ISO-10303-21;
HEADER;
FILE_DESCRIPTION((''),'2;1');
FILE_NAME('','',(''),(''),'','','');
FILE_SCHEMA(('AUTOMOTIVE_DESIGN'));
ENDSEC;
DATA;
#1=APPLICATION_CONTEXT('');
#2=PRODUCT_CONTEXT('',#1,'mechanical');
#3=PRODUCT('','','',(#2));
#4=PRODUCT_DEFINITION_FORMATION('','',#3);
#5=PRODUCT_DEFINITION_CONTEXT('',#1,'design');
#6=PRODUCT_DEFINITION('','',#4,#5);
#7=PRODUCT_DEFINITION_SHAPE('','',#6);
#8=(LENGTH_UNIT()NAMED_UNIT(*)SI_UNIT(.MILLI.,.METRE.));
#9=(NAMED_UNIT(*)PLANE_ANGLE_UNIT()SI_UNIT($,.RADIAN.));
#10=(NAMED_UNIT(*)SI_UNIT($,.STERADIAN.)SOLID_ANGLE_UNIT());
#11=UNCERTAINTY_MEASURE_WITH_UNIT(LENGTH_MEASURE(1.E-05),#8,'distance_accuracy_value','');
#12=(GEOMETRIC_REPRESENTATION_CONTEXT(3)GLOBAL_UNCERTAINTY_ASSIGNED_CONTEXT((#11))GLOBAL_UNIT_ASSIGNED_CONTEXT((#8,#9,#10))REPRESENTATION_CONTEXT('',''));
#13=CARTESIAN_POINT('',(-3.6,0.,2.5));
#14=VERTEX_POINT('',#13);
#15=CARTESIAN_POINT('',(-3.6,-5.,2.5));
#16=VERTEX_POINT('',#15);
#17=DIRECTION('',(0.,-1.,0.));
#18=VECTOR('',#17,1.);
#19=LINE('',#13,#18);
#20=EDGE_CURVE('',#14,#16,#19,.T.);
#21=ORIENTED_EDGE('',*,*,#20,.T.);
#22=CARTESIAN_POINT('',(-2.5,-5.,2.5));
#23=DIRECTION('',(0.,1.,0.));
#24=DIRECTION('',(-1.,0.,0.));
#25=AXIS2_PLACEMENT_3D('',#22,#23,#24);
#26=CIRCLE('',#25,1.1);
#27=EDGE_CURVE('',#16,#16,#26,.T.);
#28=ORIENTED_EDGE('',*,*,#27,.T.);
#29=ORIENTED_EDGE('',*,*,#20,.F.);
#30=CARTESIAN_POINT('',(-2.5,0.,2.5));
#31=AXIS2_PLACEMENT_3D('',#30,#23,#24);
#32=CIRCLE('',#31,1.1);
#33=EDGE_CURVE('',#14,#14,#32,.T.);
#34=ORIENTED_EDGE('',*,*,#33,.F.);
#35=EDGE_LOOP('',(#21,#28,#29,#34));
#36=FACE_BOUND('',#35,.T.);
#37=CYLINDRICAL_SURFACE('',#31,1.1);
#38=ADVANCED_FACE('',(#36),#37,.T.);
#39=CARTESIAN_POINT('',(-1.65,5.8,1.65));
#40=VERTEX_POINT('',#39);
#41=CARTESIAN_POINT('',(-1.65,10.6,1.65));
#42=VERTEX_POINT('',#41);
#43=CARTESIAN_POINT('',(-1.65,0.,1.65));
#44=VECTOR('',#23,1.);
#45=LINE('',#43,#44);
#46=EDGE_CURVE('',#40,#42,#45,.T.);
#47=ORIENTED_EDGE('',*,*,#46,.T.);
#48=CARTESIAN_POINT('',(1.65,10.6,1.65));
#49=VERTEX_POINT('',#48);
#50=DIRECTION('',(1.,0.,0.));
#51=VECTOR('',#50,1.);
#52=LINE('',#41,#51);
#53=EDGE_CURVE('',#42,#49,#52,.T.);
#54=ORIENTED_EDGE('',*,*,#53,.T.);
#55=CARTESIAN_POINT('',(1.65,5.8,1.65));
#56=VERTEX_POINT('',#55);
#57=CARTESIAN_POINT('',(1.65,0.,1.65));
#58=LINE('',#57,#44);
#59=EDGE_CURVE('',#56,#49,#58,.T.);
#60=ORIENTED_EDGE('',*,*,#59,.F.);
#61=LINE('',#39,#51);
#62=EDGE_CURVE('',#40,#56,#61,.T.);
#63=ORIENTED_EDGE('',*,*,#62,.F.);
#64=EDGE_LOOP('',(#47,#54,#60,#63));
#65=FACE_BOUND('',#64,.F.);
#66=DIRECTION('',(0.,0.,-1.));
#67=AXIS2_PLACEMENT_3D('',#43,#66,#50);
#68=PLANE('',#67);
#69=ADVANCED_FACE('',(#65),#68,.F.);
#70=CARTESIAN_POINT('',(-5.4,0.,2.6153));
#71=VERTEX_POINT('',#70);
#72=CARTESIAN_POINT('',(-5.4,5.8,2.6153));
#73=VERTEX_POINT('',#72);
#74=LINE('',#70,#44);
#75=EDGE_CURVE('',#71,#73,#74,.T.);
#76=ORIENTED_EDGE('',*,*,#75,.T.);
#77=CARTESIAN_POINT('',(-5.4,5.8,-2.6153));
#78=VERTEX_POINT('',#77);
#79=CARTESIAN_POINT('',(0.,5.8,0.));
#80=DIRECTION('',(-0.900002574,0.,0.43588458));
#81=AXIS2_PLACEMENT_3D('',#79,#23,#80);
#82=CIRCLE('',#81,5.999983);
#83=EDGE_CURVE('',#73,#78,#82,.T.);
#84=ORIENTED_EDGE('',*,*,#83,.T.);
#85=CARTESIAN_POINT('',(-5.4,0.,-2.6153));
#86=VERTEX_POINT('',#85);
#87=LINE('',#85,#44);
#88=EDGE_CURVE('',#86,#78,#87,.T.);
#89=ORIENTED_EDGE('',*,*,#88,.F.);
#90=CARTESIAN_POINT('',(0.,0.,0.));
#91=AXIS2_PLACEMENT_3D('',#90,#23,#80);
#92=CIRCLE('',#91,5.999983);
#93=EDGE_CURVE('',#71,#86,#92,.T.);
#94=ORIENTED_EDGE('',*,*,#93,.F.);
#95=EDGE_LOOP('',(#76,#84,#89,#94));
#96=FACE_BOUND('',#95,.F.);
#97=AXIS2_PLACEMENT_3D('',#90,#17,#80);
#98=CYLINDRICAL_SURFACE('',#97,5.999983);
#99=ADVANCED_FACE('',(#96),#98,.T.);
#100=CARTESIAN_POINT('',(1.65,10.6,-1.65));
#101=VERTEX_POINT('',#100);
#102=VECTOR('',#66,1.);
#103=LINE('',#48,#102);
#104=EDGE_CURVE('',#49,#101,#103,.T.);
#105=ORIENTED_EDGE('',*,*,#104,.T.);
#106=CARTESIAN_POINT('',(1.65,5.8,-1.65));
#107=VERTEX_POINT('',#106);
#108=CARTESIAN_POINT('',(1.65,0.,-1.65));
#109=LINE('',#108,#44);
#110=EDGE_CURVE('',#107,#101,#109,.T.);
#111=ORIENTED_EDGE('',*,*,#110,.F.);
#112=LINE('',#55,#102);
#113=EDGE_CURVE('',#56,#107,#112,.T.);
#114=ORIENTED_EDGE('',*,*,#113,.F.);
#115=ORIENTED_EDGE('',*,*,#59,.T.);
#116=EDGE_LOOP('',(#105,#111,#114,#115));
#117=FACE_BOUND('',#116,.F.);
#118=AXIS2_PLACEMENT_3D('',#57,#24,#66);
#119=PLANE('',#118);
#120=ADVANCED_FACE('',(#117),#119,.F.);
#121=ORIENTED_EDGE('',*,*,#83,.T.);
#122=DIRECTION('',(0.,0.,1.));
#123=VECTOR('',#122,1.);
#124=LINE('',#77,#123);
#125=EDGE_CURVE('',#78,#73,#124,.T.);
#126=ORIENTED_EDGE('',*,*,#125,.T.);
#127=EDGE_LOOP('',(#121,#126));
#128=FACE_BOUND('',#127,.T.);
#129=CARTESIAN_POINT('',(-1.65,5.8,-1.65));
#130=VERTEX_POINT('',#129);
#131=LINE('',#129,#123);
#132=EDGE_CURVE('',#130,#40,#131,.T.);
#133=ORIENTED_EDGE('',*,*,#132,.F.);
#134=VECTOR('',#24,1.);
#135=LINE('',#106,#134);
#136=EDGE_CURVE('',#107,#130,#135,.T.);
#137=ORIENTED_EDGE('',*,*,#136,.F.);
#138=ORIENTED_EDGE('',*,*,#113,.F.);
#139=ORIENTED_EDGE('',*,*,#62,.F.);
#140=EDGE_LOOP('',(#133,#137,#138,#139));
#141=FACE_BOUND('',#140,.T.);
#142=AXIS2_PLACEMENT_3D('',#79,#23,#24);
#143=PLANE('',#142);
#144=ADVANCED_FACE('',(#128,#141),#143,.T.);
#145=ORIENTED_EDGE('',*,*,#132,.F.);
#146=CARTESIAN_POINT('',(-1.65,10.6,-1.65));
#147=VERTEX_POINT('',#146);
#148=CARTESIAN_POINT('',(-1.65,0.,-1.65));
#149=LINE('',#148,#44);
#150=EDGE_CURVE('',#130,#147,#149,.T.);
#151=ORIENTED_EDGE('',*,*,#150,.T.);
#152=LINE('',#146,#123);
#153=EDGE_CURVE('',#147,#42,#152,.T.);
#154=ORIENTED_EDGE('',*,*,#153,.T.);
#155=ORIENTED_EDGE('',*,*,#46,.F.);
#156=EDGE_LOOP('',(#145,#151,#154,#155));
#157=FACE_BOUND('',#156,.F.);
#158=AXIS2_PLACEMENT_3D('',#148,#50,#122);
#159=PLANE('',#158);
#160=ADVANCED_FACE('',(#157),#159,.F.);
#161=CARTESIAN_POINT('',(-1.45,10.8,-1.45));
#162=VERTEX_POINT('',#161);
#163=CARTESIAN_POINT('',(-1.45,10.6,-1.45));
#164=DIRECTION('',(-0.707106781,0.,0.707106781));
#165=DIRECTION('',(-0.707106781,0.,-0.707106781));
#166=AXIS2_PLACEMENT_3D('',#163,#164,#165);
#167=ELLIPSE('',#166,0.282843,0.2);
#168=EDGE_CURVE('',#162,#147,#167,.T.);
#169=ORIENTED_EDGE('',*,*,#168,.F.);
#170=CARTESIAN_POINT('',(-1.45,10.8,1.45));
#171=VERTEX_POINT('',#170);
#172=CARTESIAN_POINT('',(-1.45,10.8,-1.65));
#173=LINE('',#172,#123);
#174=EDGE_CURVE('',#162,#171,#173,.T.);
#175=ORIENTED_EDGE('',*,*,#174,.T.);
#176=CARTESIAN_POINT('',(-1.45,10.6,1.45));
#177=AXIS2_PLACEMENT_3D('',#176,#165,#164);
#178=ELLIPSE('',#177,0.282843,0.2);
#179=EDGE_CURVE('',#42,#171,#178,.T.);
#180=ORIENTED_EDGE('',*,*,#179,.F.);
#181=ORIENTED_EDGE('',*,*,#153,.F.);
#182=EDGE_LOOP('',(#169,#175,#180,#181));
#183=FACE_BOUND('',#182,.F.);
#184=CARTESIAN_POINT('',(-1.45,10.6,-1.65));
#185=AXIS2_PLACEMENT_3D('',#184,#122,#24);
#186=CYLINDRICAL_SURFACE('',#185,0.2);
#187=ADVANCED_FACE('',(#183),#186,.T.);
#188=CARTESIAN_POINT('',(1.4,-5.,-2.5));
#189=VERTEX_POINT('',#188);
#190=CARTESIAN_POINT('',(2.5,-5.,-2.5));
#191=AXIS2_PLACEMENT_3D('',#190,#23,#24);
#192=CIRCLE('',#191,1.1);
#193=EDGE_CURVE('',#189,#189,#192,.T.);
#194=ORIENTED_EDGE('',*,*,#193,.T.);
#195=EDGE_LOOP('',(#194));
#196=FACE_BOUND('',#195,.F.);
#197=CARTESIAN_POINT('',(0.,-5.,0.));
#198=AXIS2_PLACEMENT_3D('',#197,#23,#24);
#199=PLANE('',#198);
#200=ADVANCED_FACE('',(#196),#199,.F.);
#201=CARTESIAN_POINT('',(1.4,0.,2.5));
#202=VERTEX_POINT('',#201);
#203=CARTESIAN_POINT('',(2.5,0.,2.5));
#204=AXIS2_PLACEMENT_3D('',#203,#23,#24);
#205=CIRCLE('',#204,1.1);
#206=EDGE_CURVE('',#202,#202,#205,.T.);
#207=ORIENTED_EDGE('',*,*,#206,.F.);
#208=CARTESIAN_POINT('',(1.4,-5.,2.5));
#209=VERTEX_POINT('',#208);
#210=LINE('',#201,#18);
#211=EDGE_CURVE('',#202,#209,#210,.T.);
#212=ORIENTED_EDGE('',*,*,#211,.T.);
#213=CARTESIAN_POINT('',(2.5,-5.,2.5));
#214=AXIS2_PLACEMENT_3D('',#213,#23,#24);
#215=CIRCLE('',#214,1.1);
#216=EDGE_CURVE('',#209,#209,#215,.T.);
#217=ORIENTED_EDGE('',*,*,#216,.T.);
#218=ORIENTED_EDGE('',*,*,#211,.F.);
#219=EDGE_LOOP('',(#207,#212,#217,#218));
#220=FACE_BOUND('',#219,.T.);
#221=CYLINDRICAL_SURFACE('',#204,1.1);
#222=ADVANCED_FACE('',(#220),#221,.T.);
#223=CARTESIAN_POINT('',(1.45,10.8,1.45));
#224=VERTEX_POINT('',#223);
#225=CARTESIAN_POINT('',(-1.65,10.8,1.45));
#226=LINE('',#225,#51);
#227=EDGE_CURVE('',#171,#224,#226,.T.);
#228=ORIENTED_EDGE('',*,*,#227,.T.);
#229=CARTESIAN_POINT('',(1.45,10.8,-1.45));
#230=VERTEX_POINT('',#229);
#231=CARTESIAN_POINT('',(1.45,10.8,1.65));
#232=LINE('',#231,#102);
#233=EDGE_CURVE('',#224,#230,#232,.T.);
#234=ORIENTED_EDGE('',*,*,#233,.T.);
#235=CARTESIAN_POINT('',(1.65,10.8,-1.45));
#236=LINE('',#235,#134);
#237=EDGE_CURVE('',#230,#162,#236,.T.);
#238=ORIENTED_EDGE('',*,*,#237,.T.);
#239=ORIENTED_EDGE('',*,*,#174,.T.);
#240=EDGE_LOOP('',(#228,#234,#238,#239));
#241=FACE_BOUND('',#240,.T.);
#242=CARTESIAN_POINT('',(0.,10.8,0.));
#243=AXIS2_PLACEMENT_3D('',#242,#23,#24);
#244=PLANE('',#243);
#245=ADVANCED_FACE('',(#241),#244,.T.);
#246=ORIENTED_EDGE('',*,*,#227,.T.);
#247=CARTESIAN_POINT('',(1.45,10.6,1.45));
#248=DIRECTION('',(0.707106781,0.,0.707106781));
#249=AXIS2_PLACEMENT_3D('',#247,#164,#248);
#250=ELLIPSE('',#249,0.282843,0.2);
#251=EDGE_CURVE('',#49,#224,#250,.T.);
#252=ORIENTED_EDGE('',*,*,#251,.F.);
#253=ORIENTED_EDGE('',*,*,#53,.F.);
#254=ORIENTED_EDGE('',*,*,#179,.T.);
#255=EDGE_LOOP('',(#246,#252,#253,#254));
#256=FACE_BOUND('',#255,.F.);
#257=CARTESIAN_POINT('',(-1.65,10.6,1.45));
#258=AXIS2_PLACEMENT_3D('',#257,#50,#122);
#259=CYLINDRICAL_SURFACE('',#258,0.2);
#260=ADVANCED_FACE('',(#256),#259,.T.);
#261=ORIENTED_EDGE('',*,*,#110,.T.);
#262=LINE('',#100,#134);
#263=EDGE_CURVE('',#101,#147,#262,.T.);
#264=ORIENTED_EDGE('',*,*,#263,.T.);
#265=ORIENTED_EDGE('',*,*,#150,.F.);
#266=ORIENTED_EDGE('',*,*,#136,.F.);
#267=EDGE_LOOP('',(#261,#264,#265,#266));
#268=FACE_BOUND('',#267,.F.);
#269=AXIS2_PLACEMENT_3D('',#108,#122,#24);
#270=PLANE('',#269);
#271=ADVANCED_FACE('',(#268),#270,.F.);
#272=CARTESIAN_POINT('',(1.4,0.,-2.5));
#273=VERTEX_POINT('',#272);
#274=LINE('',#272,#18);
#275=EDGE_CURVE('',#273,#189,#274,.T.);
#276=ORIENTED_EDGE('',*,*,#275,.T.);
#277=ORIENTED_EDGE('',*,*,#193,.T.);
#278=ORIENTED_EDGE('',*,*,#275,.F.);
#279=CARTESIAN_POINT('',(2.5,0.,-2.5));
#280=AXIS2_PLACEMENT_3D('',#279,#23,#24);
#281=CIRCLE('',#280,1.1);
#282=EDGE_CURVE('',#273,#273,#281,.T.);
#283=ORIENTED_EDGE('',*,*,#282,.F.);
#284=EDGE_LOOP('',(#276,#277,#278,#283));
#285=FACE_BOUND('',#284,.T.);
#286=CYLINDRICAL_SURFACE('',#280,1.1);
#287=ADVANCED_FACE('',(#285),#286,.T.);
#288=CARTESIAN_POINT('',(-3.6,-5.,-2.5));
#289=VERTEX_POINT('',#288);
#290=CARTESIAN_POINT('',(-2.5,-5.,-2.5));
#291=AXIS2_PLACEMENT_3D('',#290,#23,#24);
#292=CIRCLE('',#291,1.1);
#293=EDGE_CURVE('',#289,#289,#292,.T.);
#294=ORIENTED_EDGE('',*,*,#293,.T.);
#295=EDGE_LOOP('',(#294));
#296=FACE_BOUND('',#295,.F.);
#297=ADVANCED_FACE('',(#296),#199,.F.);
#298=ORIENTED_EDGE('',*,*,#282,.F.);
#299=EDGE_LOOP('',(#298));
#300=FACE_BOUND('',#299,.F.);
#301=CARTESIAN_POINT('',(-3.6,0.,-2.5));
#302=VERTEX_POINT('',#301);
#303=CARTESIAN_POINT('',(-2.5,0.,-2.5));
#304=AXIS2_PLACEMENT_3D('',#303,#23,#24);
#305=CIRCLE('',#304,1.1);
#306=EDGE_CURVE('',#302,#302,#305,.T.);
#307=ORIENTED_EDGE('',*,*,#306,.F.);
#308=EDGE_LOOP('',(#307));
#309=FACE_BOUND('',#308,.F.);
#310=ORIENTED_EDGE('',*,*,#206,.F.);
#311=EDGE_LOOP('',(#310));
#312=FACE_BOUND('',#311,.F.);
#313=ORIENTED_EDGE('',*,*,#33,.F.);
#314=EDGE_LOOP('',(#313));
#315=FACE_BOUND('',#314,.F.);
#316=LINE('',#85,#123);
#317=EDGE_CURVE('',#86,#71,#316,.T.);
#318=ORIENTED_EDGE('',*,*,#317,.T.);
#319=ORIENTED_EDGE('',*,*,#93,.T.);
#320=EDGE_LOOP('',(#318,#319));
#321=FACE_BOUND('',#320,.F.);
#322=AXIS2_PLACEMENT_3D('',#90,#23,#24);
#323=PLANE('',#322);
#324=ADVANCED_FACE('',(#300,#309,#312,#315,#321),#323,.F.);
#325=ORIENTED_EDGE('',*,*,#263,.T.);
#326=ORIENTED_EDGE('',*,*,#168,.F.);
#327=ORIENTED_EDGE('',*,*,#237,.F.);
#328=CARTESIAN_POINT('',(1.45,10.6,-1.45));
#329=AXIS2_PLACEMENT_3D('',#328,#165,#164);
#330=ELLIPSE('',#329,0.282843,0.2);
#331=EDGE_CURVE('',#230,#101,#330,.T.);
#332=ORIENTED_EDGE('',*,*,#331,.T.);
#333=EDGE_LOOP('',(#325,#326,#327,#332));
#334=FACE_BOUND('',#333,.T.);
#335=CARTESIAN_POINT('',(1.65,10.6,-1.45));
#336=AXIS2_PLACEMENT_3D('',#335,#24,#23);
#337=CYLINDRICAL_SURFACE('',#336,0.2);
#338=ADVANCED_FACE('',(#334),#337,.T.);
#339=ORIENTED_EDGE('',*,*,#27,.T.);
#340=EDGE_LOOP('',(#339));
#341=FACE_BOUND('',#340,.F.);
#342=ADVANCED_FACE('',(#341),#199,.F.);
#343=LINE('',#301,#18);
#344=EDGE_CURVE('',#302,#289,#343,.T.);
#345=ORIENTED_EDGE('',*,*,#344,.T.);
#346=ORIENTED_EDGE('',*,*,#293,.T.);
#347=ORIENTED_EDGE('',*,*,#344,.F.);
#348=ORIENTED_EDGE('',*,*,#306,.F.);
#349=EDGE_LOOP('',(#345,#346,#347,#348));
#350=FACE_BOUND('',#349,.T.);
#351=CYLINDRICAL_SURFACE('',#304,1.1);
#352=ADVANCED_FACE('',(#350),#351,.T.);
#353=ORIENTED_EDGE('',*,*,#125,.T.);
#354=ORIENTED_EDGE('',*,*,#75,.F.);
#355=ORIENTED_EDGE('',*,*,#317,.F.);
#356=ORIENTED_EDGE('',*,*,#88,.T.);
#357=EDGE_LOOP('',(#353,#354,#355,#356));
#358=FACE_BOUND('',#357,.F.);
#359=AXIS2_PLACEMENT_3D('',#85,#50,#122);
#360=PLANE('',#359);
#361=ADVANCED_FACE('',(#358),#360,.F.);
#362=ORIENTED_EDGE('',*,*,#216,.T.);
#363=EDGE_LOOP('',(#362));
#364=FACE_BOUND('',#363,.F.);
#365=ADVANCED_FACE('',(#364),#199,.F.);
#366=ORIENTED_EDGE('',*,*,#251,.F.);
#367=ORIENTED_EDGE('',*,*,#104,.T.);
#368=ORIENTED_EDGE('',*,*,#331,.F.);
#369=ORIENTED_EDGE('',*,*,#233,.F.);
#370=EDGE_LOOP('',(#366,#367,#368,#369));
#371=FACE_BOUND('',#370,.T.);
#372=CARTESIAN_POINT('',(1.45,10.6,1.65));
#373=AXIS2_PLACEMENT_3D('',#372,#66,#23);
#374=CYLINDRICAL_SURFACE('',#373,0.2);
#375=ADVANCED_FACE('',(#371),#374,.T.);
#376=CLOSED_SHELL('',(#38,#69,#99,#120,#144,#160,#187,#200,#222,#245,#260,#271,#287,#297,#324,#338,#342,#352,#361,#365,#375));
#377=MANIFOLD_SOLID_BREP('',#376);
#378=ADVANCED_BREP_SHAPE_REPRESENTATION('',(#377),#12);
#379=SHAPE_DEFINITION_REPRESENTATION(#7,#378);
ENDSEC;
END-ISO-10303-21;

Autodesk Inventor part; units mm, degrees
ref_plane "YZ Plane" through (0, 0, 0) normal (1, 0, 0) x (0, 1, 0)
ref_plane "XZ Plane" through (0, 0, 0) normal (0, 1, 0) x (-1, 0, 0)
ref_plane "XY Plane" through (0, 0, 0) normal (0, 0, 1) x (1, 0, 0)
sketch "Sketch1" plane through (0, 0, 0) normal (0, 1, 0) x (-1, 0, 0)
  arc A0 (5.4, 2.6153) -> (5.4, -2.6153) centre (0, 0) ccw
  line L0 (1.65, 1.65) -> (-1.65, 1.65)
  line L1 (-1.65, 1.65) -> (-1.65, -1.65)
  line L2 (-1.65, -1.65) -> (1.65, -1.65)
  line L3 (1.65, -1.65) -> (1.65, 1.65)
  line L4 (1.65, 1.65) -> (-1.65, -1.65) construction
  line L5 (-1.65, 1.65) -> (1.65, -1.65) construction
  line L6 (5.4, -2.6153) -> (5.4, 2.6153)
  circle A1 centre (2.5, 2.5) radius 1.1
  circle A2 centre (2.5, -2.5) radius 1.1
  circle A3 centre (-2.5, 2.5) radius 1.1
  circle A4 centre (-2.5, -2.5) radius 1.1
  point P0 (-6, 0)
  dimension "d0" = 12
  dimension "d1" = 3.3
  dimension "d2" = 3.3
  dimension "d3" = 11.4
  dimension "d4" = 2.2
  dimension "d7" = 5
  dimension "d10" = 5
extrude "Extrusion1" add sketch "Sketch1" along normal blind 5.8 contours L6 A0 | A1 | A2 | A3 | A4
extrude "Extrusion2" add sketch "Sketch1" along normal blind 10.8 contours L3 L2 L1 L0
extrude "Extrusion3" add sketch "Sketch1" against normal blind 5 contours A1 | A2 | A3 | A4
fillet "Fillet1" radius 0.2 4 edges at (0, 10.8, -1.65) (-1.65, 10.8, 0) (0, 10.8, 1.65) (1.65, 10.8, 0)
properties part number "D6L90 F1 LFS"
